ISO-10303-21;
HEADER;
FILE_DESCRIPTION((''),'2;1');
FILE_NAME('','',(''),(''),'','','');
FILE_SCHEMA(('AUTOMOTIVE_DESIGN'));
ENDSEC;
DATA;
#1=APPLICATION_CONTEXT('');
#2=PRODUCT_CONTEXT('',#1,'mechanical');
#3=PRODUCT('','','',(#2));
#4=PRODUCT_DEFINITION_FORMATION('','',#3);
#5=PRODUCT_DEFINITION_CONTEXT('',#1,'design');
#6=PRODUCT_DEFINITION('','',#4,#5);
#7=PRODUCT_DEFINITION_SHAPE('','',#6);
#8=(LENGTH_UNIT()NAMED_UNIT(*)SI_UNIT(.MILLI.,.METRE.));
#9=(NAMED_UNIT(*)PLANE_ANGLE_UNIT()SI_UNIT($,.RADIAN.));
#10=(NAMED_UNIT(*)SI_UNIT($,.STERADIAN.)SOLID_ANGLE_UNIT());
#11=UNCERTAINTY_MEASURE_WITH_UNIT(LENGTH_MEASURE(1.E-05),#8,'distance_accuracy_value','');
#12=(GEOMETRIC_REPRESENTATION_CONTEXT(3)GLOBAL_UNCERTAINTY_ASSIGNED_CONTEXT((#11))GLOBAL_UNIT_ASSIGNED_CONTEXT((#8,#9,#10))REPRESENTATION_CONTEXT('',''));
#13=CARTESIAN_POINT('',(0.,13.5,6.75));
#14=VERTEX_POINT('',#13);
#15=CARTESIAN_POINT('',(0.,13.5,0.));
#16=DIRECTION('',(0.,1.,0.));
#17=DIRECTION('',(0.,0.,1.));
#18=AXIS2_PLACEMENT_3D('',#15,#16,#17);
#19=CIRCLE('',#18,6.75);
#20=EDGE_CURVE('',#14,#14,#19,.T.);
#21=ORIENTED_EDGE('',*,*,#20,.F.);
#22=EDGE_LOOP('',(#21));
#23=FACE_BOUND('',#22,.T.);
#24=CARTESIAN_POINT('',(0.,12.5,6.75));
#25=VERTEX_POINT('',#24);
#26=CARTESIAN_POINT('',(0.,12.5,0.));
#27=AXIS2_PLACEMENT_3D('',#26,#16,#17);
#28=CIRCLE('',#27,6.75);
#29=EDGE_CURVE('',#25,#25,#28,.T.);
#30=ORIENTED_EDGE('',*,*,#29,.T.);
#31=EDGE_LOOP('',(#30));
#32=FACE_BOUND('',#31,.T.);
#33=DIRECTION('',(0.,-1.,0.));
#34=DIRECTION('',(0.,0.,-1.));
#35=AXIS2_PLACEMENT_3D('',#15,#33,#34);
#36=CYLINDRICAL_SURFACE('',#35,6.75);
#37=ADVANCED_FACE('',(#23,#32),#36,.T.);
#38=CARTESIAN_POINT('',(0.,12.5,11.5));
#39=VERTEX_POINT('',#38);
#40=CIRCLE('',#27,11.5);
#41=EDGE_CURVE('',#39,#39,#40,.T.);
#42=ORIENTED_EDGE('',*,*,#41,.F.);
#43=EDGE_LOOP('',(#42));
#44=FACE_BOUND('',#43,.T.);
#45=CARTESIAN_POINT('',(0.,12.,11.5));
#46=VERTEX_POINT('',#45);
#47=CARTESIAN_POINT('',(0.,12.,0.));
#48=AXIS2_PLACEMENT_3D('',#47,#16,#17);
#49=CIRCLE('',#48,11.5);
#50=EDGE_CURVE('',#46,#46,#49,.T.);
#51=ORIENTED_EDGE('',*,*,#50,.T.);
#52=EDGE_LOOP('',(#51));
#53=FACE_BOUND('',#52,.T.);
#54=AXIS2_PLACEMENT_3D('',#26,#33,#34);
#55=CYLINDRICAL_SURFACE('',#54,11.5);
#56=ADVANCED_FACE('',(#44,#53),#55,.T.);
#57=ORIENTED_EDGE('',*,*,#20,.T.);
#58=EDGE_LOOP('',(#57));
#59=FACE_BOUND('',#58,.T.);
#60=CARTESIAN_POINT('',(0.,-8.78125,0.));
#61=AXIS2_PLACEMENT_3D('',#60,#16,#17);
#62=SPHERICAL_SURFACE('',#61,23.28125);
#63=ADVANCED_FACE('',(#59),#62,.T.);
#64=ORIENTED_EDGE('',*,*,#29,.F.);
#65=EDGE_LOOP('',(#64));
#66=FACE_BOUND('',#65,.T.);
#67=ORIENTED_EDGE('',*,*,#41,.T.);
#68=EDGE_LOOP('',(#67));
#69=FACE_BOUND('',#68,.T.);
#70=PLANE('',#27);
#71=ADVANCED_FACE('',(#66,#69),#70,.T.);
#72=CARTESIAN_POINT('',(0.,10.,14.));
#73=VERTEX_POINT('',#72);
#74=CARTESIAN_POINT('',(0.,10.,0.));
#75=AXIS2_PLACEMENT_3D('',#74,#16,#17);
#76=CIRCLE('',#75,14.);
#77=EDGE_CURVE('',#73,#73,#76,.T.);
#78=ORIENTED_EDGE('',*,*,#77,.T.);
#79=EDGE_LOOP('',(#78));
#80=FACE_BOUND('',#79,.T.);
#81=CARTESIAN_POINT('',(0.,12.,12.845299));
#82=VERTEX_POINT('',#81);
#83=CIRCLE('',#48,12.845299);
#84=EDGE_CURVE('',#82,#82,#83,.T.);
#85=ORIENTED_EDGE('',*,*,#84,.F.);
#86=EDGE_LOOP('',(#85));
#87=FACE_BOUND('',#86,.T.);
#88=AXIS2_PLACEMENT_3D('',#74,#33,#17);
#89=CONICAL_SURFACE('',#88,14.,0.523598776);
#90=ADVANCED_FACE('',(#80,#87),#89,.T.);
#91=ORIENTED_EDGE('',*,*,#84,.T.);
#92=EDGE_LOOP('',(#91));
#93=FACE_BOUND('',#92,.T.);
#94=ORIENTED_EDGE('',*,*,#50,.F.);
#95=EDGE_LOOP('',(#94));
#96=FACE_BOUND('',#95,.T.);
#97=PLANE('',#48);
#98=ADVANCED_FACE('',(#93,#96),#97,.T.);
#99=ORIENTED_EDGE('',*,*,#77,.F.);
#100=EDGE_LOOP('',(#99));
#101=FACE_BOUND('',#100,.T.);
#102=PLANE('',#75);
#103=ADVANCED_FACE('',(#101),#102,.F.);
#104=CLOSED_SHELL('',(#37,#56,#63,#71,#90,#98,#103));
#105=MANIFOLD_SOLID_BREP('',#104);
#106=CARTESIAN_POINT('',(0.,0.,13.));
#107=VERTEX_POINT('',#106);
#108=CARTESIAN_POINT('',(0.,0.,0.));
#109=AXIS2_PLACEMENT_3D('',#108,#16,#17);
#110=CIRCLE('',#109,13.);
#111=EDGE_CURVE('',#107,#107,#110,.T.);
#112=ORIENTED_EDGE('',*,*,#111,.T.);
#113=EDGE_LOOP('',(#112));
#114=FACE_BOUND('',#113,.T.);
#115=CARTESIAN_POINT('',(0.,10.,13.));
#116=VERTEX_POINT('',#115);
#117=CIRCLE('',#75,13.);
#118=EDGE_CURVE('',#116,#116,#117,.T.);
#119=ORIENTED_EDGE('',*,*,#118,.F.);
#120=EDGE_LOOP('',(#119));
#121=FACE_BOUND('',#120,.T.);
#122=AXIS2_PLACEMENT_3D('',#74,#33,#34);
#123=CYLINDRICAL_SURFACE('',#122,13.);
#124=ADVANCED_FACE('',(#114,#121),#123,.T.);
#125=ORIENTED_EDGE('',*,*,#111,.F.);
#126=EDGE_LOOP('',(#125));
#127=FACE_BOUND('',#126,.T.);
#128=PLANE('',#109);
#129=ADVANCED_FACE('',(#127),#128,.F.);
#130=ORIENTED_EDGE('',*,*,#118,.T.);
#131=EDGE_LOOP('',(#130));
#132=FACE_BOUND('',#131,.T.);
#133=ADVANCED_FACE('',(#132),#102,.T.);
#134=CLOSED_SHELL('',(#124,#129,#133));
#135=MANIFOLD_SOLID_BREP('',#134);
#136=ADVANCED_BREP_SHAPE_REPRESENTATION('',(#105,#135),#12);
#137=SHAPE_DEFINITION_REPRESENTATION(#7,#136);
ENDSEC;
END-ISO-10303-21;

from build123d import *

# Parameters (mm, degrees)
SKETCH1_R           = 13
BOSS_EXTRUDE1_DEPTH = 10
SKETCH2_R           = 14
BOSS_EXTRUDE2_DEPTH = 2
BOSS_EXTRUDE2_TAPER = 30
SKETCH3_R           = 11.5
BOSS_EXTRUDE3_DEPTH = 0.5
SKETCH4_R           = 6.75
BOSS_EXTRUDE4_DEPTH = 1
DOME1_FACE_RADIUS   = 6.75
DOME1_HEIGHT        = 1


with BuildPart() as part:
    # Sketch1 → Boss-Extrude1 (new body)
    with BuildSketch(Plane(origin=(0, 0, 0), x_dir=(1, 0, 0), z_dir=(0, 1, 0))):
        with Locations(Location((0, 0, 0), (0, 0, 270))):
            Circle(SKETCH1_R)
    extrude(amount=BOSS_EXTRUDE1_DEPTH)


with BuildPart() as body_2:
    # Sketch2 → Boss-Extrude2 (new body)
    with BuildSketch(Plane(origin=(0, 10, 0), x_dir=(1, 0, 0), z_dir=(0, 1, 0))):
        Circle(SKETCH2_R)
    extrude(amount=BOSS_EXTRUDE2_DEPTH, taper=BOSS_EXTRUDE2_TAPER)

    # Sketch3 → Boss-Extrude3 (add)
    with BuildSketch(Plane(origin=(0, 12, 0), x_dir=(1, 0, 0), z_dir=(0, 1, 0))):
        with Locations(Location((0, 0, 0), (0, 0, 270))):
            Circle(SKETCH3_R)
    extrude(amount=BOSS_EXTRUDE3_DEPTH)

    # Sketch4 → Boss-Extrude4 (add)
    with BuildSketch(Plane(origin=(0, 12.5, 0), x_dir=(1, 0, 0), z_dir=(0, 1, 0))):
        with Locations(Location((0, 0, 0), (0, 0, 270))):
            Circle(SKETCH4_R)
    extrude(amount=BOSS_EXTRUDE4_DEPTH)

    # Dome1: a dome of height H over a round flat face of radius A is a cap of a sphere of radius (A * A + H * H) / (2 * H)
    dome1_r = (DOME1_FACE_RADIUS * DOME1_FACE_RADIUS + DOME1_HEIGHT * DOME1_HEIGHT) / (2 * DOME1_HEIGHT)
    dome1_base = Plane((0, 13.5, 0), z_dir=(0, 1, 0))
    with Locations(dome1_base.offset(DOME1_HEIGHT - dome1_r)):
        dome1_ball = Sphere(dome1_r, mode=Mode.PRIVATE)
    add(split(dome1_ball, bisect_by=dome1_base, keep=Keep.TOP, mode=Mode.PRIVATE))


solid = Compound([part.part, body_2.part])
